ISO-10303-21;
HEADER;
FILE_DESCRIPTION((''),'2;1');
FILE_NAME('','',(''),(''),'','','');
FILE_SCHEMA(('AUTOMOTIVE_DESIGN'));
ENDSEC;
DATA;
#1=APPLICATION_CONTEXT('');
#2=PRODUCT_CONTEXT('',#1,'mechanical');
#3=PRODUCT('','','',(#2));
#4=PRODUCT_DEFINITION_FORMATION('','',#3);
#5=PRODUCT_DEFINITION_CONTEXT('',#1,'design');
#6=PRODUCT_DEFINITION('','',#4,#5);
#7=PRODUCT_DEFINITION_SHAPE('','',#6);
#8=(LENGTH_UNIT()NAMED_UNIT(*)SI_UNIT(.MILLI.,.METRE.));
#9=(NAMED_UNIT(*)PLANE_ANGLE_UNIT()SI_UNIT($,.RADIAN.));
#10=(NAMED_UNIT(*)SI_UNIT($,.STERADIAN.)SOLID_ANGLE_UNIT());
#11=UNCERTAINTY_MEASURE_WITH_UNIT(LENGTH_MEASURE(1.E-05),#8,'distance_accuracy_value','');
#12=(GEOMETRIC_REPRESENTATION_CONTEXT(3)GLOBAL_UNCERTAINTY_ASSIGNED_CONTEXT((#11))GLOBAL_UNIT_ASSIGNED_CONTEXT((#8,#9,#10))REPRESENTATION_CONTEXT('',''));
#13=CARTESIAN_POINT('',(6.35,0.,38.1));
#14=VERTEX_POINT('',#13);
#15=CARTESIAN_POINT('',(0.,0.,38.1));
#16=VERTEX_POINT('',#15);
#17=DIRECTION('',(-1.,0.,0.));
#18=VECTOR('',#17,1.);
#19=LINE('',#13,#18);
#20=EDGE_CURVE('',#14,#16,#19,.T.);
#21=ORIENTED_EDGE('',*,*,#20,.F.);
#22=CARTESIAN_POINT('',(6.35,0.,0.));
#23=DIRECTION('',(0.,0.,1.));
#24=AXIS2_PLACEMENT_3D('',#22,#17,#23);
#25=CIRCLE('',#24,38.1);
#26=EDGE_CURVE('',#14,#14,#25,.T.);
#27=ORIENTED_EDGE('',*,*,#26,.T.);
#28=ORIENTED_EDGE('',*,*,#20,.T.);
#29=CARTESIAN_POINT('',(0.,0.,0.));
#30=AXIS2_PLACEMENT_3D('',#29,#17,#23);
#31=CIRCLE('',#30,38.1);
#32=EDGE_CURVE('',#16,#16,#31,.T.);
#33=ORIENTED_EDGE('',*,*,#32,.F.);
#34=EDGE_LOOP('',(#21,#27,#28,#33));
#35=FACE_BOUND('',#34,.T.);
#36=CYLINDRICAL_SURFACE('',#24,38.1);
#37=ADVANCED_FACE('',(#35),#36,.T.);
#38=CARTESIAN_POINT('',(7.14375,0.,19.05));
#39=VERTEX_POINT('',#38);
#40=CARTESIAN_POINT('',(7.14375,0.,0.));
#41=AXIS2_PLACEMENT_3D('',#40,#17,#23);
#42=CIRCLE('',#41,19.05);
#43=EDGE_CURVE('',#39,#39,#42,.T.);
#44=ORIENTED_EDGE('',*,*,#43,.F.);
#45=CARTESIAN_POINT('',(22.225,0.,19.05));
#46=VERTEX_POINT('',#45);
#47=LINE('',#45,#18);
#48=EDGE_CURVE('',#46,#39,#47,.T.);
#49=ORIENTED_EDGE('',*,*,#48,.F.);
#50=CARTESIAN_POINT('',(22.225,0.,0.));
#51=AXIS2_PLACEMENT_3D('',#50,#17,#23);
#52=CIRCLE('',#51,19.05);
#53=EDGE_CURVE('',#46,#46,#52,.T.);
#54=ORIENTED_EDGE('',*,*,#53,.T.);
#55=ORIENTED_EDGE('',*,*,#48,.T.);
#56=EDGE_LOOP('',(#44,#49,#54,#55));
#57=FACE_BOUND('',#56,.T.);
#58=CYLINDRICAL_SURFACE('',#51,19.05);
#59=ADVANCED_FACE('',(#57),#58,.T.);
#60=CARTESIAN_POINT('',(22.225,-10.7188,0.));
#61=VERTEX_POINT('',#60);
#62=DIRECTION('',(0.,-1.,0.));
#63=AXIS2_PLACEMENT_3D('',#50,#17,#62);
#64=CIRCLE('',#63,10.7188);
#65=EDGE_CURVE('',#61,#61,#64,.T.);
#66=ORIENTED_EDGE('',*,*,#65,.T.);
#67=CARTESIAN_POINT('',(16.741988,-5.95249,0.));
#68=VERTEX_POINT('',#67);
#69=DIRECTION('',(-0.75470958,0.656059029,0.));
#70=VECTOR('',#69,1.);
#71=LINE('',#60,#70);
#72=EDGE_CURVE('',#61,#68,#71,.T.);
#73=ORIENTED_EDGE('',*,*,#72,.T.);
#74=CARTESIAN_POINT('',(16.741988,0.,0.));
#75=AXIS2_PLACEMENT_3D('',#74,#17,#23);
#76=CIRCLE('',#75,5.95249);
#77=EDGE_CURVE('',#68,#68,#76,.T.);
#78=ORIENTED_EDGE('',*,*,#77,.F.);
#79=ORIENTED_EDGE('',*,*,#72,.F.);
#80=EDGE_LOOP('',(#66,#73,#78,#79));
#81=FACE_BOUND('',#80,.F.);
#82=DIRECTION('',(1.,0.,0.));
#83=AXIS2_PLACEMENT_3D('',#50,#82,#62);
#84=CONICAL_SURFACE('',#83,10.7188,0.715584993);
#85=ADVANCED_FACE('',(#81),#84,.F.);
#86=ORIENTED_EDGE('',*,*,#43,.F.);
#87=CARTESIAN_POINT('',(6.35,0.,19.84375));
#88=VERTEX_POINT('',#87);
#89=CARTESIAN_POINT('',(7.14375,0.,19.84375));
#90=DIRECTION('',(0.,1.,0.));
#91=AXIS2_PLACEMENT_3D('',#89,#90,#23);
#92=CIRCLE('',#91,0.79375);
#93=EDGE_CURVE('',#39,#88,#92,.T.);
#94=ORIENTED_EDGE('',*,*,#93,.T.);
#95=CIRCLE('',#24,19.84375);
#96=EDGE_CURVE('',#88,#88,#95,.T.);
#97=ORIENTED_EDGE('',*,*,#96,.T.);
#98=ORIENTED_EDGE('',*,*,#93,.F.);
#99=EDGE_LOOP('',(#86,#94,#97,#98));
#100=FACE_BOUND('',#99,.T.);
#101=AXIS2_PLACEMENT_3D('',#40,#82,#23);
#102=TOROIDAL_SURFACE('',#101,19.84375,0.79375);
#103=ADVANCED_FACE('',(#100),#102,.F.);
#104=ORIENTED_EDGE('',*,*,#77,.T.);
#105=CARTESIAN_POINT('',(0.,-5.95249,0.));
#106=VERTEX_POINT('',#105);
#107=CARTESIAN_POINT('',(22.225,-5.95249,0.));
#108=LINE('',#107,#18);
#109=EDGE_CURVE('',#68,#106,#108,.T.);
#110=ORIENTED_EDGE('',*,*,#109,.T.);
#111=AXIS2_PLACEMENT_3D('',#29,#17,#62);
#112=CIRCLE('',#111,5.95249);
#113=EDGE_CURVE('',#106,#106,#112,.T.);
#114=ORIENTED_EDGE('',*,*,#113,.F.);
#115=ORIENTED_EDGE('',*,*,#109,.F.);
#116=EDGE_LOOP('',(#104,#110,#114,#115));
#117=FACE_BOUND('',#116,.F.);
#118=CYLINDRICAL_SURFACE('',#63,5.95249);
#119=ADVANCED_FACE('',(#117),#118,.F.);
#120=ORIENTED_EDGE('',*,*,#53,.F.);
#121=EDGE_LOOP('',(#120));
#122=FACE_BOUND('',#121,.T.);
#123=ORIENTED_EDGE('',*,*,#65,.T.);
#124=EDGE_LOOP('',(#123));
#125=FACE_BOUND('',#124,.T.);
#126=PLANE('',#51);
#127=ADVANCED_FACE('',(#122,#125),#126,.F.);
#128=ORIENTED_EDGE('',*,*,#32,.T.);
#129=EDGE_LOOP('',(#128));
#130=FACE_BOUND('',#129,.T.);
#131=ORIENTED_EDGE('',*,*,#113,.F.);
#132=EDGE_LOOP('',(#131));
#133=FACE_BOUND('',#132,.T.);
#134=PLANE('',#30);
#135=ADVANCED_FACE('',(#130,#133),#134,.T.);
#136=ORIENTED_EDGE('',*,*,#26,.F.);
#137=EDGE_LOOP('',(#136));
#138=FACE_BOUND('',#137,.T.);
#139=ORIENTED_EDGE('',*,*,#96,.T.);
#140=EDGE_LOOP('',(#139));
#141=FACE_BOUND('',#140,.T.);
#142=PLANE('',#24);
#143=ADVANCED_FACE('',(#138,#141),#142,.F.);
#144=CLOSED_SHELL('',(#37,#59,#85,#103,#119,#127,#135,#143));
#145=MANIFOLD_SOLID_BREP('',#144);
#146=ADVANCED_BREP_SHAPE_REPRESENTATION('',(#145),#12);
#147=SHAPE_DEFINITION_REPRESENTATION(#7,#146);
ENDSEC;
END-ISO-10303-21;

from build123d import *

# Parameters (mm, degrees)
F2_R           = 0.79375
F4_D           = 11.90498
F4_CSINK_D     = 21.4376
F4_CSINK_ANGLE = 82


with BuildPart() as f1:
    # F0 (on Front) → F1 (revolve)
    with BuildSketch(Plane.XZ):
        Polygon((6.35, 38.1), (0, 38.1), (0, 0), (22.225, 0), (22.225, 19.05), (6.35, 19.05), align=None)
    revolve(axis=Axis((11.1125, 0, 0), (-1, 0, 0)))

    # F2
    f2_edges = [f1.edges().sort_by_distance(p)[0] for p in [
        (6.35, 0, -19.05),
    ]]
    fillet(f2_edges, radius=F2_R)

    # F4 (through all)
    with Locations(Plane.YZ.offset(22.225)):
        with Locations((0, 0)):
            CounterSinkHole(F4_D / 2, F4_CSINK_D / 2, counter_sink_angle=F4_CSINK_ANGLE)


solid = f1.part
